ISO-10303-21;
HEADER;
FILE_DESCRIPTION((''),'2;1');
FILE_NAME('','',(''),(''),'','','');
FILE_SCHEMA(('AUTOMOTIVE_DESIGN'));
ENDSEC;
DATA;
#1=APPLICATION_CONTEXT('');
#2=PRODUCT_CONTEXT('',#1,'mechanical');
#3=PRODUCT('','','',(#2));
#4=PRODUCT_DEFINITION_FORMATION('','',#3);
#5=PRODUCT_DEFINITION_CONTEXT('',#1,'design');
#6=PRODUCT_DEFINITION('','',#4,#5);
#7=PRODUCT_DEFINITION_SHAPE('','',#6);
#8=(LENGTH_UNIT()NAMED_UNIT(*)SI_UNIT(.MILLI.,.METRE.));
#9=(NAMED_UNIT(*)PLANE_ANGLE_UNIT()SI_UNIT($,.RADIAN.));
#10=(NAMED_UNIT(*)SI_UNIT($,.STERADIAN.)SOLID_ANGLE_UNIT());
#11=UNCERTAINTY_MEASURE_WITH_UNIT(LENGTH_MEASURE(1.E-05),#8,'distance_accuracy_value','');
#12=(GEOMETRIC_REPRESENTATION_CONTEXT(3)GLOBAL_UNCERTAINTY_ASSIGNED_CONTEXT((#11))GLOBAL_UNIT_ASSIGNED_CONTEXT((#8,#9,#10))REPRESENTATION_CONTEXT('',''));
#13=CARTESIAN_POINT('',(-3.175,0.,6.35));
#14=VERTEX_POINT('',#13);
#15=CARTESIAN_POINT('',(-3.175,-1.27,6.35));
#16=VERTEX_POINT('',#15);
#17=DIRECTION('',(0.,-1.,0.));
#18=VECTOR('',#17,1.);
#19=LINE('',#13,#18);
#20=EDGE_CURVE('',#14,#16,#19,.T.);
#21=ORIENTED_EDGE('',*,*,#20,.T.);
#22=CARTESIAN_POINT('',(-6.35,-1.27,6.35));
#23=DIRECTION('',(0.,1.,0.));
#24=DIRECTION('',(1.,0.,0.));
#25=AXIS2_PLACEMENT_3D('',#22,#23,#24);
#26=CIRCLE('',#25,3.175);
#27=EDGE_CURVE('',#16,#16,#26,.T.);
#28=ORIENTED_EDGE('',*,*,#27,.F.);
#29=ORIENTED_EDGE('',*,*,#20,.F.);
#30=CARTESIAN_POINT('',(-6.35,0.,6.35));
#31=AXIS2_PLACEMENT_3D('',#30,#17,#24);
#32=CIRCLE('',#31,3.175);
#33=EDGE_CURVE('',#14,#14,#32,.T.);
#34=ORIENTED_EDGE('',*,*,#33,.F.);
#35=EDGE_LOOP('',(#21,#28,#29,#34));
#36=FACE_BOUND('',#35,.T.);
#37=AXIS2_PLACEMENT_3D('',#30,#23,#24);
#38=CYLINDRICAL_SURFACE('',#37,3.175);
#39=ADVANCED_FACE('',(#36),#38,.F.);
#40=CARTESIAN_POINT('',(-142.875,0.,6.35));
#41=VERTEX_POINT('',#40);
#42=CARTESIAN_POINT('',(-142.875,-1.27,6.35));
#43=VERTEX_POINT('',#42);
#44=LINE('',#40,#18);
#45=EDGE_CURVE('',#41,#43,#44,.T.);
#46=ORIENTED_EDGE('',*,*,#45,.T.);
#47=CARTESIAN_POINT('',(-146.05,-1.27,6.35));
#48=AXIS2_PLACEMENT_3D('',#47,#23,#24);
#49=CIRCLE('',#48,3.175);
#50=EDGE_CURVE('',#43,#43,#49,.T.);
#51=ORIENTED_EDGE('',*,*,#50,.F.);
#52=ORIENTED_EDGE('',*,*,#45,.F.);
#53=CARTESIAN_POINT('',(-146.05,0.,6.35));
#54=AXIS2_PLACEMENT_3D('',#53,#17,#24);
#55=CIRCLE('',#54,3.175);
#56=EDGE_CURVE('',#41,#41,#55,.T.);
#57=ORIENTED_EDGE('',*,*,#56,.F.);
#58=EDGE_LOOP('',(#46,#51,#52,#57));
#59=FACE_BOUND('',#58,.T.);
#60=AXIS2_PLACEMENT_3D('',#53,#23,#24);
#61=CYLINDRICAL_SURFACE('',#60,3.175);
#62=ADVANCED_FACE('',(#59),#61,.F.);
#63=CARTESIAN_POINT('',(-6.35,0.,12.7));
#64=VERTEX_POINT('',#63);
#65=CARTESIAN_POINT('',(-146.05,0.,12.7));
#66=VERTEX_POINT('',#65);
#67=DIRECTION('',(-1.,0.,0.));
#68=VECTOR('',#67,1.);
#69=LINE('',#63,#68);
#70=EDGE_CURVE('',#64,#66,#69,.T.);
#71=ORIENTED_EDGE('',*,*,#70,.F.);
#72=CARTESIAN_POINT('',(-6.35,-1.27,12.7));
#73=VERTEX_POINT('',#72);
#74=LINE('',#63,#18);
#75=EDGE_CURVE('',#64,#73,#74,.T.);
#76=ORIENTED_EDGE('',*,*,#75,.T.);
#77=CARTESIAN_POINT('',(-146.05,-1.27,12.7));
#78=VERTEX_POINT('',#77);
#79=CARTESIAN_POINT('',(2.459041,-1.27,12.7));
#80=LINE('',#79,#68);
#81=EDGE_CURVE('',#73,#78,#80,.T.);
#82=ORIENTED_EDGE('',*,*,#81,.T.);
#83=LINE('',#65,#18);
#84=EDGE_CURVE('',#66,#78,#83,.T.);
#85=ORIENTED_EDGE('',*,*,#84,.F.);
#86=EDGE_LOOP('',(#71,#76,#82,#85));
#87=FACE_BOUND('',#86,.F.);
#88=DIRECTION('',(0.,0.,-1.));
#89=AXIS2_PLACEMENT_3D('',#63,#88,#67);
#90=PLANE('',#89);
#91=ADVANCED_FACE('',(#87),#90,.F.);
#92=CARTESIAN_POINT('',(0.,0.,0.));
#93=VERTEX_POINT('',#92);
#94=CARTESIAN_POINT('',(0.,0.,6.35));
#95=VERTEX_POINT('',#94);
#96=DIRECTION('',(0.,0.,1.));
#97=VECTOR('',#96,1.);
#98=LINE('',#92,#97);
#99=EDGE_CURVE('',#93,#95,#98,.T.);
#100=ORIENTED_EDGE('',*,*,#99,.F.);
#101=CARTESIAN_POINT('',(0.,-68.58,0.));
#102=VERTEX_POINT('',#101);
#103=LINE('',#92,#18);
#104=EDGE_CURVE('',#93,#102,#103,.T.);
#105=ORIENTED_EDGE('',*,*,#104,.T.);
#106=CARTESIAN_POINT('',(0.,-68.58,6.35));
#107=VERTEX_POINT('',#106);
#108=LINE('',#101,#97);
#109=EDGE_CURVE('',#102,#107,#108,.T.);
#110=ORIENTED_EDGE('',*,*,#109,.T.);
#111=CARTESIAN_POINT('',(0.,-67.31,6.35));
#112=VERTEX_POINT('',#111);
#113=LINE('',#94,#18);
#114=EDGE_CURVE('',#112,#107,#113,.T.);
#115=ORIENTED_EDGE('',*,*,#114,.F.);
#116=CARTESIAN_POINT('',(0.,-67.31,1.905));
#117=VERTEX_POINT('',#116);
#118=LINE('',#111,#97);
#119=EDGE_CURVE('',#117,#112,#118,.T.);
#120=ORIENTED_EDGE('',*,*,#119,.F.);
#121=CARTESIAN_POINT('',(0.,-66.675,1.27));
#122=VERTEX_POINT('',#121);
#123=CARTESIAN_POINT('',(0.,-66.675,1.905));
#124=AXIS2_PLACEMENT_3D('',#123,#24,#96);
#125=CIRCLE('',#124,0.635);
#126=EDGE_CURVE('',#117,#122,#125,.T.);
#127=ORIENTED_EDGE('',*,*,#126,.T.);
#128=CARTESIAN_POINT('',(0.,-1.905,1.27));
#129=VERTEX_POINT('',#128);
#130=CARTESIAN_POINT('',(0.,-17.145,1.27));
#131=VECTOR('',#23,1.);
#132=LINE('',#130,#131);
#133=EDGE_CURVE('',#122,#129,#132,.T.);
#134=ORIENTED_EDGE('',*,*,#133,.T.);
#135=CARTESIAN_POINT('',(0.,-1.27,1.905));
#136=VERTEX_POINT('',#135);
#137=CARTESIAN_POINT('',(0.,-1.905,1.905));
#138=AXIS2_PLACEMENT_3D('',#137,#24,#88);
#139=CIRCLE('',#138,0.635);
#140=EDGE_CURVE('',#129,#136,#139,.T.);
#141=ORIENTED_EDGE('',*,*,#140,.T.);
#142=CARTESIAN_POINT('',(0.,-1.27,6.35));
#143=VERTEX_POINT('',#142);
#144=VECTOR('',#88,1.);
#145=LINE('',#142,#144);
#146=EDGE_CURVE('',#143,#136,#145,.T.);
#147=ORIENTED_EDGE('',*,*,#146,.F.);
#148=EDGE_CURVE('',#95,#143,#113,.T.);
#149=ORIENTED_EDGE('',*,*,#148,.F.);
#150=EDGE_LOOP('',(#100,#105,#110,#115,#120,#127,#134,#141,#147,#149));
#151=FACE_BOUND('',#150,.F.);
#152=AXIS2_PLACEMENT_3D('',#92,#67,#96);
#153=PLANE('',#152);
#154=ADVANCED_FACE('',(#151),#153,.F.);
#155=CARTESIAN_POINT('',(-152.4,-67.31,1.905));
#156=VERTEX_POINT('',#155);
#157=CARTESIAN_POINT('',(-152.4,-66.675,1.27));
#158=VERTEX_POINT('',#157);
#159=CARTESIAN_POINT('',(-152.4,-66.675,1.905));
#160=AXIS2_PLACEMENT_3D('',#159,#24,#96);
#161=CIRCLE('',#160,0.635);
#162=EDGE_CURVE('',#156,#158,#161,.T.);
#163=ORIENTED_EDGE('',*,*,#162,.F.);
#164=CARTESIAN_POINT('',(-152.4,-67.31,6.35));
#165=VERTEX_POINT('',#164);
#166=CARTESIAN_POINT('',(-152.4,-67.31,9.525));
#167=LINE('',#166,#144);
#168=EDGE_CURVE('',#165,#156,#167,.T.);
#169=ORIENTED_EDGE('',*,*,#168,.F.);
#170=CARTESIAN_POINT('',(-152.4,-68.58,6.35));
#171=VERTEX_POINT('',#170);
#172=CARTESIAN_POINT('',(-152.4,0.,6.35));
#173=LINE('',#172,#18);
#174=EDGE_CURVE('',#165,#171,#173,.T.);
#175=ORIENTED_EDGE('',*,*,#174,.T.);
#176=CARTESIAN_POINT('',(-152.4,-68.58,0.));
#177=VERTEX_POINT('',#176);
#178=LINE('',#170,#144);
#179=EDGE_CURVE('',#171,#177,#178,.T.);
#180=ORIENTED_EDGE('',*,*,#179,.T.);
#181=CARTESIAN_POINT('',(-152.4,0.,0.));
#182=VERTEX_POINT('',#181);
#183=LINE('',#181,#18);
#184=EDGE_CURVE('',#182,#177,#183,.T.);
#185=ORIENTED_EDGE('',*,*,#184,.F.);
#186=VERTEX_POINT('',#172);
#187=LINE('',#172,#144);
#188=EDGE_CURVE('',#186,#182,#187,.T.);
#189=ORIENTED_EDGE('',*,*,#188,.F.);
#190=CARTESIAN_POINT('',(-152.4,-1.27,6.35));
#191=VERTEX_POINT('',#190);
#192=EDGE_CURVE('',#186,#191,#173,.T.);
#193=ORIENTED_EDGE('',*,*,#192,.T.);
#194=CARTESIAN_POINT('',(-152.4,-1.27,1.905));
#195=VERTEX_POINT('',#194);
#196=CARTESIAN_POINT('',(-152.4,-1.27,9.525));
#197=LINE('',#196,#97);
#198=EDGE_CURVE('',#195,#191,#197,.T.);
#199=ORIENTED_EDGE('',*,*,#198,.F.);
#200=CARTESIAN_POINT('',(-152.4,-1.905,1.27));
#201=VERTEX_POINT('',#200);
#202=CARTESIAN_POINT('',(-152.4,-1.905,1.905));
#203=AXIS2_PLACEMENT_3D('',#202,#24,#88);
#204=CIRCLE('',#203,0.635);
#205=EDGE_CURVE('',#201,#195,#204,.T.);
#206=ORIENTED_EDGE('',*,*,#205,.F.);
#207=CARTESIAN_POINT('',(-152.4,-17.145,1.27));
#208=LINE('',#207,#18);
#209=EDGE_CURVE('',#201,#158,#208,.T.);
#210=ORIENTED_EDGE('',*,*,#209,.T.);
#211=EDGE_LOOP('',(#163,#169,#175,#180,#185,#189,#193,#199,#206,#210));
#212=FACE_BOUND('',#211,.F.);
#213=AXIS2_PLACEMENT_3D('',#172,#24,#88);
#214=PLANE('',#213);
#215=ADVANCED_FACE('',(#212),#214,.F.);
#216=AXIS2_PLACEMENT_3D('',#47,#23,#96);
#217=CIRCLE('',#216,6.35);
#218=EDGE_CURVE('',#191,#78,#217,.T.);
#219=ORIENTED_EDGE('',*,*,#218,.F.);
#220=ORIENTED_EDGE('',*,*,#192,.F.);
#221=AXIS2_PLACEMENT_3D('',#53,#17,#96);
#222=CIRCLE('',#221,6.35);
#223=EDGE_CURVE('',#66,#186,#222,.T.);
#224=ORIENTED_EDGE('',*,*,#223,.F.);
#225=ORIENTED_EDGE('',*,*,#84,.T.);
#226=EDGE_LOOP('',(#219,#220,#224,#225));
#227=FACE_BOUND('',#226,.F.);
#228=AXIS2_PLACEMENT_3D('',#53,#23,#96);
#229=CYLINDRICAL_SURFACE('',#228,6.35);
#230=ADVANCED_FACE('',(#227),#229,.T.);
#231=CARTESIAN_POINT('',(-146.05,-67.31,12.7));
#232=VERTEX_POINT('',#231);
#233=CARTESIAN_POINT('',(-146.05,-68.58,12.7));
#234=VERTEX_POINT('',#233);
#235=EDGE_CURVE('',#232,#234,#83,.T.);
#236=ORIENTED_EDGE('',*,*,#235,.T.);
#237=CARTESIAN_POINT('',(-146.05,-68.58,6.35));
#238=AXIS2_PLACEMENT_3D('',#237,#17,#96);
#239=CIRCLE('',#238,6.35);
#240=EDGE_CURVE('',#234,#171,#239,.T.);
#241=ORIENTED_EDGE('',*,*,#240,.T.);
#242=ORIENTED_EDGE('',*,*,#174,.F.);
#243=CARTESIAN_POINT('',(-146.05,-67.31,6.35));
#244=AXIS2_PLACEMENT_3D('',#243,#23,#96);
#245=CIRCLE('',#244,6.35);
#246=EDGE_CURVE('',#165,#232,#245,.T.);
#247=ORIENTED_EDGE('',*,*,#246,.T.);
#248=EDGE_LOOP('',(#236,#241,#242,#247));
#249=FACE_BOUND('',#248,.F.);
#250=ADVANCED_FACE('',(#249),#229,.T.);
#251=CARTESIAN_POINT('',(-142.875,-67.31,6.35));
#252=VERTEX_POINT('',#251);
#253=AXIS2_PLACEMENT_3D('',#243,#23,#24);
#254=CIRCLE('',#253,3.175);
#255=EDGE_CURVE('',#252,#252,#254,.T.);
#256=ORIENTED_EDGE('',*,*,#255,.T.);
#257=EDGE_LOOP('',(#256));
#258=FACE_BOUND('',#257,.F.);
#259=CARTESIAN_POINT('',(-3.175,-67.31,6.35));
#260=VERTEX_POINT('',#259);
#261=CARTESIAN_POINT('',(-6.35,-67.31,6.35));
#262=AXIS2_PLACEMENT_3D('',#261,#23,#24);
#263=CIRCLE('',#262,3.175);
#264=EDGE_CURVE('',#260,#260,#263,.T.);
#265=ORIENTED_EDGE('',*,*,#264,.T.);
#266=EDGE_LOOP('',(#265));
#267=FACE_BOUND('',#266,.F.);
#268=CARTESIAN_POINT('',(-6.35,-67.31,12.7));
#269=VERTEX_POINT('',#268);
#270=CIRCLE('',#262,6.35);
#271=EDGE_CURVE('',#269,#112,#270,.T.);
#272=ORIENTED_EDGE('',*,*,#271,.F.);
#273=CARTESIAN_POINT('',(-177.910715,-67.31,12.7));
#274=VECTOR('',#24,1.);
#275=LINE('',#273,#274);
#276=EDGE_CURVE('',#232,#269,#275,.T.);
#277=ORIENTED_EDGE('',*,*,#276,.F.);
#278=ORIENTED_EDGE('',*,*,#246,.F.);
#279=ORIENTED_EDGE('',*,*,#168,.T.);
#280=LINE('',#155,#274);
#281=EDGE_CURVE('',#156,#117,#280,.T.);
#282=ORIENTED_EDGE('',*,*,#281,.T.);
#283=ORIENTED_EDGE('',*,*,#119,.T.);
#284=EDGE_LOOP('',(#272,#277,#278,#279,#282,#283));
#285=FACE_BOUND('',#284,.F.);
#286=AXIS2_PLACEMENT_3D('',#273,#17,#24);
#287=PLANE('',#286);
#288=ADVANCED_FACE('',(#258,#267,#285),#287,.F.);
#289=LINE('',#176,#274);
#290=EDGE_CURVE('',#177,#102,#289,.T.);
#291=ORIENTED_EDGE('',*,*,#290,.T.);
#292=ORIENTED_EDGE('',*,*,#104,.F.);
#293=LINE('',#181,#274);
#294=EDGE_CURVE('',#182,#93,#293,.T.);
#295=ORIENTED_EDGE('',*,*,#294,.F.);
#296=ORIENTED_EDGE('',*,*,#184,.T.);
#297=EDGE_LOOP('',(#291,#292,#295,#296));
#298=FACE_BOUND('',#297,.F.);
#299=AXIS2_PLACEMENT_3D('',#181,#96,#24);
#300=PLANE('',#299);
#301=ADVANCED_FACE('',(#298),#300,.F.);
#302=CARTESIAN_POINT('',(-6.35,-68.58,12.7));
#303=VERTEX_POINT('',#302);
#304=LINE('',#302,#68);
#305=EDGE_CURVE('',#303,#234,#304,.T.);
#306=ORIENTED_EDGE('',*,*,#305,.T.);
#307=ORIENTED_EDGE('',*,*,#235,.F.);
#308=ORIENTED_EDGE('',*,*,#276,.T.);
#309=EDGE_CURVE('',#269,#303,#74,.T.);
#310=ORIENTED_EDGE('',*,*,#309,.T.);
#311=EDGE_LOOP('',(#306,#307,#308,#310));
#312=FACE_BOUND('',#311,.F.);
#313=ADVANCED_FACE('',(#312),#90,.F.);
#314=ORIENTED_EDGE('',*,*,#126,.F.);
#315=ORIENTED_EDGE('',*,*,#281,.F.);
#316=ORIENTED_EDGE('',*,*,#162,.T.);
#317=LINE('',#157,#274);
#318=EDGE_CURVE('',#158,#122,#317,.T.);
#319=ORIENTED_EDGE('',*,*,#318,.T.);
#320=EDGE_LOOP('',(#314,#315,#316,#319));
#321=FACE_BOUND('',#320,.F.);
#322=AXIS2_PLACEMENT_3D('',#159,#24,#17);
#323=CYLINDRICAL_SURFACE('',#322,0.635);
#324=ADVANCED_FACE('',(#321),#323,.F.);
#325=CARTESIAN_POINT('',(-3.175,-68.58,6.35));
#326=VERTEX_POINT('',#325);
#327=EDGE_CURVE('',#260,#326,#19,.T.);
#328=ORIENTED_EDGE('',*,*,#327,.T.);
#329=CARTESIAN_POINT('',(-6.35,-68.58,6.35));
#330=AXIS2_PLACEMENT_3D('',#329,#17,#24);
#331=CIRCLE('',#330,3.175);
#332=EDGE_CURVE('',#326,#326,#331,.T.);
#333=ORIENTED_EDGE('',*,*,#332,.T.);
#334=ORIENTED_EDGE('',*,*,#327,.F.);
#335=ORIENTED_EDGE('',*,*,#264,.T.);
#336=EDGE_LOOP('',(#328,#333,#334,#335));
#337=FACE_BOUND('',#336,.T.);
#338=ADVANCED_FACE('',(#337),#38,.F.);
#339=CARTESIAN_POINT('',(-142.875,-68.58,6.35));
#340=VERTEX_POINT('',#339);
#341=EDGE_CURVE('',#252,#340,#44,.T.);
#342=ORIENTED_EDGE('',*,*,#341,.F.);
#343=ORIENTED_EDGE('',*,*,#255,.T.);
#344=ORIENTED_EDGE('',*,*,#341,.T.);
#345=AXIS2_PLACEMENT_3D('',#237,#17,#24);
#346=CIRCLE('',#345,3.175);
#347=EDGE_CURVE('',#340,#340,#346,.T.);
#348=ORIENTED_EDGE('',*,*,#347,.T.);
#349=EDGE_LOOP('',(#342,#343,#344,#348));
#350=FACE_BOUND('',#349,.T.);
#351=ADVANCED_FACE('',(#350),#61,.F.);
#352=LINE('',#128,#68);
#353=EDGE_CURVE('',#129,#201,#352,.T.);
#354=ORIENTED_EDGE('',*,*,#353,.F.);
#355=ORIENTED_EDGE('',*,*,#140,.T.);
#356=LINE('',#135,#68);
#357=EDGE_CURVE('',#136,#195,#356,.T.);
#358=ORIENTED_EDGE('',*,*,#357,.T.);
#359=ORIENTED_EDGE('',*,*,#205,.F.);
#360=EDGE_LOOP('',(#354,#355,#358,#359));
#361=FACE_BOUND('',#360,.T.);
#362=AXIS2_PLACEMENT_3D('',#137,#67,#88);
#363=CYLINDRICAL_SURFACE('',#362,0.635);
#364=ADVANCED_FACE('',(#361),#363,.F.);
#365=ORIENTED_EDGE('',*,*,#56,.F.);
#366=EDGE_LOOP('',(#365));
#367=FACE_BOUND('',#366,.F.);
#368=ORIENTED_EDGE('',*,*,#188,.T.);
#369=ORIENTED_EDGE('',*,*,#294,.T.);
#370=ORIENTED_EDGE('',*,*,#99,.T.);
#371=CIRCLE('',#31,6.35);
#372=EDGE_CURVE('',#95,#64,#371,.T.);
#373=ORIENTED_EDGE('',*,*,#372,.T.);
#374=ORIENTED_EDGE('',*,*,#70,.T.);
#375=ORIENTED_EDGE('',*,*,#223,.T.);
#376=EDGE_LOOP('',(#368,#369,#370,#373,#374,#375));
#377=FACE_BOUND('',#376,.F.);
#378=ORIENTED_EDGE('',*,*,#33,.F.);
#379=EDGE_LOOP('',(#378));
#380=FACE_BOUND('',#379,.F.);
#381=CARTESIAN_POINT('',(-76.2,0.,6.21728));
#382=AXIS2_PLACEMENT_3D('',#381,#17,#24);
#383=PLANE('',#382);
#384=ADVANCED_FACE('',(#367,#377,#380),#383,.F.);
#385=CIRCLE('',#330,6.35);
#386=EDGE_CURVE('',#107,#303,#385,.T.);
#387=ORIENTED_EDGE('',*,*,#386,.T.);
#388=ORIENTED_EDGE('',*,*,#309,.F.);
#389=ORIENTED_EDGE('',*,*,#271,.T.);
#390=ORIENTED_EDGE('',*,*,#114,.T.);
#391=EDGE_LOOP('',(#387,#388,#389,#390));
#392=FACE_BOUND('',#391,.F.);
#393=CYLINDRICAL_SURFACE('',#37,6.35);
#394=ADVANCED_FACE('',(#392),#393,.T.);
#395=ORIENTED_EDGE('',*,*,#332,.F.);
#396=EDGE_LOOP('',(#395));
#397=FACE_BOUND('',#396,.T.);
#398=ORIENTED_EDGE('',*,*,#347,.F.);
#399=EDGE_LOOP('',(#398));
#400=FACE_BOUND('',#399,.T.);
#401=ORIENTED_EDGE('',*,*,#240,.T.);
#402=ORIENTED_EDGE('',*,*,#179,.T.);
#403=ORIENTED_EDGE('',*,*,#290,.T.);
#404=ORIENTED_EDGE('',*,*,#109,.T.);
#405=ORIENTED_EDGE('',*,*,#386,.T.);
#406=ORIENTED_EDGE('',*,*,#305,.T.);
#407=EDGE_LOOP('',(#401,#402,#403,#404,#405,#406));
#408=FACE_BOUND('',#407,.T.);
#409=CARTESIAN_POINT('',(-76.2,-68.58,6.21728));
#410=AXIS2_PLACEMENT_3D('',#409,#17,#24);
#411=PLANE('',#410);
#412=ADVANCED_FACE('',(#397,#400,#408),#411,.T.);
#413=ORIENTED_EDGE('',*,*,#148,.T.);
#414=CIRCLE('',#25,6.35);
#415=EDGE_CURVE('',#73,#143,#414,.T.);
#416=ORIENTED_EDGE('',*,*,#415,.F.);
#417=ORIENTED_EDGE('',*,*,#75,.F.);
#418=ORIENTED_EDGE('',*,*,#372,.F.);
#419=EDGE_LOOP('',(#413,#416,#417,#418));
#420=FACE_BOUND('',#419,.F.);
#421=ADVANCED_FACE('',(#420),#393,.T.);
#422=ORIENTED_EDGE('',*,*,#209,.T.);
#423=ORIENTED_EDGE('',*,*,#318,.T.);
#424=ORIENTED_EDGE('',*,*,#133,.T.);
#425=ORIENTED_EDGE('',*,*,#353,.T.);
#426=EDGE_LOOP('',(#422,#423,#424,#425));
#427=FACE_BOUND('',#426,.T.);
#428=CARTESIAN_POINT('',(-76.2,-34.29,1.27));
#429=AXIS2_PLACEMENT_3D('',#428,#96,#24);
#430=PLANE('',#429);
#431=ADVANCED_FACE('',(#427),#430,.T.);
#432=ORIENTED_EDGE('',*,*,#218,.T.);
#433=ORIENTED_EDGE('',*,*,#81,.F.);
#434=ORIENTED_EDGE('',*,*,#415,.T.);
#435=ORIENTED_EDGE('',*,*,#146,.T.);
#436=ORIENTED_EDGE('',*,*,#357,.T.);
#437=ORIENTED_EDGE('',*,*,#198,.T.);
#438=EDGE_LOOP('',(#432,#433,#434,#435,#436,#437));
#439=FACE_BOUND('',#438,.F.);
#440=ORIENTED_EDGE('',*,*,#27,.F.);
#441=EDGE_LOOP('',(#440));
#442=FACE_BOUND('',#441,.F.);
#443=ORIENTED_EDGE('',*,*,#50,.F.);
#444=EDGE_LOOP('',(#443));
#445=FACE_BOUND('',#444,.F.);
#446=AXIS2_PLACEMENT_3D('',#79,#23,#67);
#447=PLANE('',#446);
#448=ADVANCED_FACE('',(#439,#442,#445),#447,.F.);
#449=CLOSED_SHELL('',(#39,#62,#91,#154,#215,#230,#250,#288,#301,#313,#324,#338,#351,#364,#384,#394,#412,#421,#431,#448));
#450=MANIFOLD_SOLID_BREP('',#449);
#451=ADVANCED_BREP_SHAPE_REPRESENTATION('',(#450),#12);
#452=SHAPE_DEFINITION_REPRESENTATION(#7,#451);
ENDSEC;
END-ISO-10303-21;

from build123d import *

# Parameters (mm, degrees)
F0_R     = 3.175
F1_DEPTH = 68.58
F2_W     = 139.7
F2_H     = 66.04
F2_W_2   = 31.8607153416
F2_W_3   = 8.809040843
F3_DEPTH = 11.43
F4_R     = 0.635


with BuildPart() as f1:
    # F0 (on Front) → F1 (new body)
    with BuildSketch(Plane.XZ):
        with BuildLine():
            Line((-152.4, 0), (0, 0))
            Line((0, 0), (0, 6.35))
            ThreePointArc((0, 6.35), (-1.8598719395, 10.8401280605), (-6.35, 12.7))
            Line((-6.35, 12.7), (-146.05, 12.7))
            ThreePointArc((-146.05, 12.7), (-150.5401280605, 10.8401280605), (-152.4, 6.35))
            Line((-152.4, 6.35), (-152.4, 0))
        make_face()
        with Locations((-146.05, 6.35)):
            Circle(F0_R, mode=Mode.SUBTRACT)
        with Locations((-6.35, 6.35)):
            Circle(F0_R, mode=Mode.SUBTRACT)
    extrude(amount=F1_DEPTH)

    # F2 (on face) → F3 (cut)
    with BuildSketch(Plane.XY.offset(12.7)):
        with Locations((-76.2, -34.29)):
            Rectangle(F2_W, F2_H)
        with Locations((-161.9803576708, -34.29)):
            Rectangle(F2_W_2, F2_H)
        with Locations((-1.9454795785, -34.29)):
            Rectangle(F2_W_3, F2_H)
    extrude(amount=-F3_DEPTH, mode=Mode.SUBTRACT)

    # F4
    f4_edges = [f1.edges().sort_by_distance(p)[0] for p in [
        (-76.2, -1.27, 1.27),
        (-76.2, -67.31, 1.27),
    ]]
    fillet(f4_edges, radius=F4_R)


solid = f1.part
